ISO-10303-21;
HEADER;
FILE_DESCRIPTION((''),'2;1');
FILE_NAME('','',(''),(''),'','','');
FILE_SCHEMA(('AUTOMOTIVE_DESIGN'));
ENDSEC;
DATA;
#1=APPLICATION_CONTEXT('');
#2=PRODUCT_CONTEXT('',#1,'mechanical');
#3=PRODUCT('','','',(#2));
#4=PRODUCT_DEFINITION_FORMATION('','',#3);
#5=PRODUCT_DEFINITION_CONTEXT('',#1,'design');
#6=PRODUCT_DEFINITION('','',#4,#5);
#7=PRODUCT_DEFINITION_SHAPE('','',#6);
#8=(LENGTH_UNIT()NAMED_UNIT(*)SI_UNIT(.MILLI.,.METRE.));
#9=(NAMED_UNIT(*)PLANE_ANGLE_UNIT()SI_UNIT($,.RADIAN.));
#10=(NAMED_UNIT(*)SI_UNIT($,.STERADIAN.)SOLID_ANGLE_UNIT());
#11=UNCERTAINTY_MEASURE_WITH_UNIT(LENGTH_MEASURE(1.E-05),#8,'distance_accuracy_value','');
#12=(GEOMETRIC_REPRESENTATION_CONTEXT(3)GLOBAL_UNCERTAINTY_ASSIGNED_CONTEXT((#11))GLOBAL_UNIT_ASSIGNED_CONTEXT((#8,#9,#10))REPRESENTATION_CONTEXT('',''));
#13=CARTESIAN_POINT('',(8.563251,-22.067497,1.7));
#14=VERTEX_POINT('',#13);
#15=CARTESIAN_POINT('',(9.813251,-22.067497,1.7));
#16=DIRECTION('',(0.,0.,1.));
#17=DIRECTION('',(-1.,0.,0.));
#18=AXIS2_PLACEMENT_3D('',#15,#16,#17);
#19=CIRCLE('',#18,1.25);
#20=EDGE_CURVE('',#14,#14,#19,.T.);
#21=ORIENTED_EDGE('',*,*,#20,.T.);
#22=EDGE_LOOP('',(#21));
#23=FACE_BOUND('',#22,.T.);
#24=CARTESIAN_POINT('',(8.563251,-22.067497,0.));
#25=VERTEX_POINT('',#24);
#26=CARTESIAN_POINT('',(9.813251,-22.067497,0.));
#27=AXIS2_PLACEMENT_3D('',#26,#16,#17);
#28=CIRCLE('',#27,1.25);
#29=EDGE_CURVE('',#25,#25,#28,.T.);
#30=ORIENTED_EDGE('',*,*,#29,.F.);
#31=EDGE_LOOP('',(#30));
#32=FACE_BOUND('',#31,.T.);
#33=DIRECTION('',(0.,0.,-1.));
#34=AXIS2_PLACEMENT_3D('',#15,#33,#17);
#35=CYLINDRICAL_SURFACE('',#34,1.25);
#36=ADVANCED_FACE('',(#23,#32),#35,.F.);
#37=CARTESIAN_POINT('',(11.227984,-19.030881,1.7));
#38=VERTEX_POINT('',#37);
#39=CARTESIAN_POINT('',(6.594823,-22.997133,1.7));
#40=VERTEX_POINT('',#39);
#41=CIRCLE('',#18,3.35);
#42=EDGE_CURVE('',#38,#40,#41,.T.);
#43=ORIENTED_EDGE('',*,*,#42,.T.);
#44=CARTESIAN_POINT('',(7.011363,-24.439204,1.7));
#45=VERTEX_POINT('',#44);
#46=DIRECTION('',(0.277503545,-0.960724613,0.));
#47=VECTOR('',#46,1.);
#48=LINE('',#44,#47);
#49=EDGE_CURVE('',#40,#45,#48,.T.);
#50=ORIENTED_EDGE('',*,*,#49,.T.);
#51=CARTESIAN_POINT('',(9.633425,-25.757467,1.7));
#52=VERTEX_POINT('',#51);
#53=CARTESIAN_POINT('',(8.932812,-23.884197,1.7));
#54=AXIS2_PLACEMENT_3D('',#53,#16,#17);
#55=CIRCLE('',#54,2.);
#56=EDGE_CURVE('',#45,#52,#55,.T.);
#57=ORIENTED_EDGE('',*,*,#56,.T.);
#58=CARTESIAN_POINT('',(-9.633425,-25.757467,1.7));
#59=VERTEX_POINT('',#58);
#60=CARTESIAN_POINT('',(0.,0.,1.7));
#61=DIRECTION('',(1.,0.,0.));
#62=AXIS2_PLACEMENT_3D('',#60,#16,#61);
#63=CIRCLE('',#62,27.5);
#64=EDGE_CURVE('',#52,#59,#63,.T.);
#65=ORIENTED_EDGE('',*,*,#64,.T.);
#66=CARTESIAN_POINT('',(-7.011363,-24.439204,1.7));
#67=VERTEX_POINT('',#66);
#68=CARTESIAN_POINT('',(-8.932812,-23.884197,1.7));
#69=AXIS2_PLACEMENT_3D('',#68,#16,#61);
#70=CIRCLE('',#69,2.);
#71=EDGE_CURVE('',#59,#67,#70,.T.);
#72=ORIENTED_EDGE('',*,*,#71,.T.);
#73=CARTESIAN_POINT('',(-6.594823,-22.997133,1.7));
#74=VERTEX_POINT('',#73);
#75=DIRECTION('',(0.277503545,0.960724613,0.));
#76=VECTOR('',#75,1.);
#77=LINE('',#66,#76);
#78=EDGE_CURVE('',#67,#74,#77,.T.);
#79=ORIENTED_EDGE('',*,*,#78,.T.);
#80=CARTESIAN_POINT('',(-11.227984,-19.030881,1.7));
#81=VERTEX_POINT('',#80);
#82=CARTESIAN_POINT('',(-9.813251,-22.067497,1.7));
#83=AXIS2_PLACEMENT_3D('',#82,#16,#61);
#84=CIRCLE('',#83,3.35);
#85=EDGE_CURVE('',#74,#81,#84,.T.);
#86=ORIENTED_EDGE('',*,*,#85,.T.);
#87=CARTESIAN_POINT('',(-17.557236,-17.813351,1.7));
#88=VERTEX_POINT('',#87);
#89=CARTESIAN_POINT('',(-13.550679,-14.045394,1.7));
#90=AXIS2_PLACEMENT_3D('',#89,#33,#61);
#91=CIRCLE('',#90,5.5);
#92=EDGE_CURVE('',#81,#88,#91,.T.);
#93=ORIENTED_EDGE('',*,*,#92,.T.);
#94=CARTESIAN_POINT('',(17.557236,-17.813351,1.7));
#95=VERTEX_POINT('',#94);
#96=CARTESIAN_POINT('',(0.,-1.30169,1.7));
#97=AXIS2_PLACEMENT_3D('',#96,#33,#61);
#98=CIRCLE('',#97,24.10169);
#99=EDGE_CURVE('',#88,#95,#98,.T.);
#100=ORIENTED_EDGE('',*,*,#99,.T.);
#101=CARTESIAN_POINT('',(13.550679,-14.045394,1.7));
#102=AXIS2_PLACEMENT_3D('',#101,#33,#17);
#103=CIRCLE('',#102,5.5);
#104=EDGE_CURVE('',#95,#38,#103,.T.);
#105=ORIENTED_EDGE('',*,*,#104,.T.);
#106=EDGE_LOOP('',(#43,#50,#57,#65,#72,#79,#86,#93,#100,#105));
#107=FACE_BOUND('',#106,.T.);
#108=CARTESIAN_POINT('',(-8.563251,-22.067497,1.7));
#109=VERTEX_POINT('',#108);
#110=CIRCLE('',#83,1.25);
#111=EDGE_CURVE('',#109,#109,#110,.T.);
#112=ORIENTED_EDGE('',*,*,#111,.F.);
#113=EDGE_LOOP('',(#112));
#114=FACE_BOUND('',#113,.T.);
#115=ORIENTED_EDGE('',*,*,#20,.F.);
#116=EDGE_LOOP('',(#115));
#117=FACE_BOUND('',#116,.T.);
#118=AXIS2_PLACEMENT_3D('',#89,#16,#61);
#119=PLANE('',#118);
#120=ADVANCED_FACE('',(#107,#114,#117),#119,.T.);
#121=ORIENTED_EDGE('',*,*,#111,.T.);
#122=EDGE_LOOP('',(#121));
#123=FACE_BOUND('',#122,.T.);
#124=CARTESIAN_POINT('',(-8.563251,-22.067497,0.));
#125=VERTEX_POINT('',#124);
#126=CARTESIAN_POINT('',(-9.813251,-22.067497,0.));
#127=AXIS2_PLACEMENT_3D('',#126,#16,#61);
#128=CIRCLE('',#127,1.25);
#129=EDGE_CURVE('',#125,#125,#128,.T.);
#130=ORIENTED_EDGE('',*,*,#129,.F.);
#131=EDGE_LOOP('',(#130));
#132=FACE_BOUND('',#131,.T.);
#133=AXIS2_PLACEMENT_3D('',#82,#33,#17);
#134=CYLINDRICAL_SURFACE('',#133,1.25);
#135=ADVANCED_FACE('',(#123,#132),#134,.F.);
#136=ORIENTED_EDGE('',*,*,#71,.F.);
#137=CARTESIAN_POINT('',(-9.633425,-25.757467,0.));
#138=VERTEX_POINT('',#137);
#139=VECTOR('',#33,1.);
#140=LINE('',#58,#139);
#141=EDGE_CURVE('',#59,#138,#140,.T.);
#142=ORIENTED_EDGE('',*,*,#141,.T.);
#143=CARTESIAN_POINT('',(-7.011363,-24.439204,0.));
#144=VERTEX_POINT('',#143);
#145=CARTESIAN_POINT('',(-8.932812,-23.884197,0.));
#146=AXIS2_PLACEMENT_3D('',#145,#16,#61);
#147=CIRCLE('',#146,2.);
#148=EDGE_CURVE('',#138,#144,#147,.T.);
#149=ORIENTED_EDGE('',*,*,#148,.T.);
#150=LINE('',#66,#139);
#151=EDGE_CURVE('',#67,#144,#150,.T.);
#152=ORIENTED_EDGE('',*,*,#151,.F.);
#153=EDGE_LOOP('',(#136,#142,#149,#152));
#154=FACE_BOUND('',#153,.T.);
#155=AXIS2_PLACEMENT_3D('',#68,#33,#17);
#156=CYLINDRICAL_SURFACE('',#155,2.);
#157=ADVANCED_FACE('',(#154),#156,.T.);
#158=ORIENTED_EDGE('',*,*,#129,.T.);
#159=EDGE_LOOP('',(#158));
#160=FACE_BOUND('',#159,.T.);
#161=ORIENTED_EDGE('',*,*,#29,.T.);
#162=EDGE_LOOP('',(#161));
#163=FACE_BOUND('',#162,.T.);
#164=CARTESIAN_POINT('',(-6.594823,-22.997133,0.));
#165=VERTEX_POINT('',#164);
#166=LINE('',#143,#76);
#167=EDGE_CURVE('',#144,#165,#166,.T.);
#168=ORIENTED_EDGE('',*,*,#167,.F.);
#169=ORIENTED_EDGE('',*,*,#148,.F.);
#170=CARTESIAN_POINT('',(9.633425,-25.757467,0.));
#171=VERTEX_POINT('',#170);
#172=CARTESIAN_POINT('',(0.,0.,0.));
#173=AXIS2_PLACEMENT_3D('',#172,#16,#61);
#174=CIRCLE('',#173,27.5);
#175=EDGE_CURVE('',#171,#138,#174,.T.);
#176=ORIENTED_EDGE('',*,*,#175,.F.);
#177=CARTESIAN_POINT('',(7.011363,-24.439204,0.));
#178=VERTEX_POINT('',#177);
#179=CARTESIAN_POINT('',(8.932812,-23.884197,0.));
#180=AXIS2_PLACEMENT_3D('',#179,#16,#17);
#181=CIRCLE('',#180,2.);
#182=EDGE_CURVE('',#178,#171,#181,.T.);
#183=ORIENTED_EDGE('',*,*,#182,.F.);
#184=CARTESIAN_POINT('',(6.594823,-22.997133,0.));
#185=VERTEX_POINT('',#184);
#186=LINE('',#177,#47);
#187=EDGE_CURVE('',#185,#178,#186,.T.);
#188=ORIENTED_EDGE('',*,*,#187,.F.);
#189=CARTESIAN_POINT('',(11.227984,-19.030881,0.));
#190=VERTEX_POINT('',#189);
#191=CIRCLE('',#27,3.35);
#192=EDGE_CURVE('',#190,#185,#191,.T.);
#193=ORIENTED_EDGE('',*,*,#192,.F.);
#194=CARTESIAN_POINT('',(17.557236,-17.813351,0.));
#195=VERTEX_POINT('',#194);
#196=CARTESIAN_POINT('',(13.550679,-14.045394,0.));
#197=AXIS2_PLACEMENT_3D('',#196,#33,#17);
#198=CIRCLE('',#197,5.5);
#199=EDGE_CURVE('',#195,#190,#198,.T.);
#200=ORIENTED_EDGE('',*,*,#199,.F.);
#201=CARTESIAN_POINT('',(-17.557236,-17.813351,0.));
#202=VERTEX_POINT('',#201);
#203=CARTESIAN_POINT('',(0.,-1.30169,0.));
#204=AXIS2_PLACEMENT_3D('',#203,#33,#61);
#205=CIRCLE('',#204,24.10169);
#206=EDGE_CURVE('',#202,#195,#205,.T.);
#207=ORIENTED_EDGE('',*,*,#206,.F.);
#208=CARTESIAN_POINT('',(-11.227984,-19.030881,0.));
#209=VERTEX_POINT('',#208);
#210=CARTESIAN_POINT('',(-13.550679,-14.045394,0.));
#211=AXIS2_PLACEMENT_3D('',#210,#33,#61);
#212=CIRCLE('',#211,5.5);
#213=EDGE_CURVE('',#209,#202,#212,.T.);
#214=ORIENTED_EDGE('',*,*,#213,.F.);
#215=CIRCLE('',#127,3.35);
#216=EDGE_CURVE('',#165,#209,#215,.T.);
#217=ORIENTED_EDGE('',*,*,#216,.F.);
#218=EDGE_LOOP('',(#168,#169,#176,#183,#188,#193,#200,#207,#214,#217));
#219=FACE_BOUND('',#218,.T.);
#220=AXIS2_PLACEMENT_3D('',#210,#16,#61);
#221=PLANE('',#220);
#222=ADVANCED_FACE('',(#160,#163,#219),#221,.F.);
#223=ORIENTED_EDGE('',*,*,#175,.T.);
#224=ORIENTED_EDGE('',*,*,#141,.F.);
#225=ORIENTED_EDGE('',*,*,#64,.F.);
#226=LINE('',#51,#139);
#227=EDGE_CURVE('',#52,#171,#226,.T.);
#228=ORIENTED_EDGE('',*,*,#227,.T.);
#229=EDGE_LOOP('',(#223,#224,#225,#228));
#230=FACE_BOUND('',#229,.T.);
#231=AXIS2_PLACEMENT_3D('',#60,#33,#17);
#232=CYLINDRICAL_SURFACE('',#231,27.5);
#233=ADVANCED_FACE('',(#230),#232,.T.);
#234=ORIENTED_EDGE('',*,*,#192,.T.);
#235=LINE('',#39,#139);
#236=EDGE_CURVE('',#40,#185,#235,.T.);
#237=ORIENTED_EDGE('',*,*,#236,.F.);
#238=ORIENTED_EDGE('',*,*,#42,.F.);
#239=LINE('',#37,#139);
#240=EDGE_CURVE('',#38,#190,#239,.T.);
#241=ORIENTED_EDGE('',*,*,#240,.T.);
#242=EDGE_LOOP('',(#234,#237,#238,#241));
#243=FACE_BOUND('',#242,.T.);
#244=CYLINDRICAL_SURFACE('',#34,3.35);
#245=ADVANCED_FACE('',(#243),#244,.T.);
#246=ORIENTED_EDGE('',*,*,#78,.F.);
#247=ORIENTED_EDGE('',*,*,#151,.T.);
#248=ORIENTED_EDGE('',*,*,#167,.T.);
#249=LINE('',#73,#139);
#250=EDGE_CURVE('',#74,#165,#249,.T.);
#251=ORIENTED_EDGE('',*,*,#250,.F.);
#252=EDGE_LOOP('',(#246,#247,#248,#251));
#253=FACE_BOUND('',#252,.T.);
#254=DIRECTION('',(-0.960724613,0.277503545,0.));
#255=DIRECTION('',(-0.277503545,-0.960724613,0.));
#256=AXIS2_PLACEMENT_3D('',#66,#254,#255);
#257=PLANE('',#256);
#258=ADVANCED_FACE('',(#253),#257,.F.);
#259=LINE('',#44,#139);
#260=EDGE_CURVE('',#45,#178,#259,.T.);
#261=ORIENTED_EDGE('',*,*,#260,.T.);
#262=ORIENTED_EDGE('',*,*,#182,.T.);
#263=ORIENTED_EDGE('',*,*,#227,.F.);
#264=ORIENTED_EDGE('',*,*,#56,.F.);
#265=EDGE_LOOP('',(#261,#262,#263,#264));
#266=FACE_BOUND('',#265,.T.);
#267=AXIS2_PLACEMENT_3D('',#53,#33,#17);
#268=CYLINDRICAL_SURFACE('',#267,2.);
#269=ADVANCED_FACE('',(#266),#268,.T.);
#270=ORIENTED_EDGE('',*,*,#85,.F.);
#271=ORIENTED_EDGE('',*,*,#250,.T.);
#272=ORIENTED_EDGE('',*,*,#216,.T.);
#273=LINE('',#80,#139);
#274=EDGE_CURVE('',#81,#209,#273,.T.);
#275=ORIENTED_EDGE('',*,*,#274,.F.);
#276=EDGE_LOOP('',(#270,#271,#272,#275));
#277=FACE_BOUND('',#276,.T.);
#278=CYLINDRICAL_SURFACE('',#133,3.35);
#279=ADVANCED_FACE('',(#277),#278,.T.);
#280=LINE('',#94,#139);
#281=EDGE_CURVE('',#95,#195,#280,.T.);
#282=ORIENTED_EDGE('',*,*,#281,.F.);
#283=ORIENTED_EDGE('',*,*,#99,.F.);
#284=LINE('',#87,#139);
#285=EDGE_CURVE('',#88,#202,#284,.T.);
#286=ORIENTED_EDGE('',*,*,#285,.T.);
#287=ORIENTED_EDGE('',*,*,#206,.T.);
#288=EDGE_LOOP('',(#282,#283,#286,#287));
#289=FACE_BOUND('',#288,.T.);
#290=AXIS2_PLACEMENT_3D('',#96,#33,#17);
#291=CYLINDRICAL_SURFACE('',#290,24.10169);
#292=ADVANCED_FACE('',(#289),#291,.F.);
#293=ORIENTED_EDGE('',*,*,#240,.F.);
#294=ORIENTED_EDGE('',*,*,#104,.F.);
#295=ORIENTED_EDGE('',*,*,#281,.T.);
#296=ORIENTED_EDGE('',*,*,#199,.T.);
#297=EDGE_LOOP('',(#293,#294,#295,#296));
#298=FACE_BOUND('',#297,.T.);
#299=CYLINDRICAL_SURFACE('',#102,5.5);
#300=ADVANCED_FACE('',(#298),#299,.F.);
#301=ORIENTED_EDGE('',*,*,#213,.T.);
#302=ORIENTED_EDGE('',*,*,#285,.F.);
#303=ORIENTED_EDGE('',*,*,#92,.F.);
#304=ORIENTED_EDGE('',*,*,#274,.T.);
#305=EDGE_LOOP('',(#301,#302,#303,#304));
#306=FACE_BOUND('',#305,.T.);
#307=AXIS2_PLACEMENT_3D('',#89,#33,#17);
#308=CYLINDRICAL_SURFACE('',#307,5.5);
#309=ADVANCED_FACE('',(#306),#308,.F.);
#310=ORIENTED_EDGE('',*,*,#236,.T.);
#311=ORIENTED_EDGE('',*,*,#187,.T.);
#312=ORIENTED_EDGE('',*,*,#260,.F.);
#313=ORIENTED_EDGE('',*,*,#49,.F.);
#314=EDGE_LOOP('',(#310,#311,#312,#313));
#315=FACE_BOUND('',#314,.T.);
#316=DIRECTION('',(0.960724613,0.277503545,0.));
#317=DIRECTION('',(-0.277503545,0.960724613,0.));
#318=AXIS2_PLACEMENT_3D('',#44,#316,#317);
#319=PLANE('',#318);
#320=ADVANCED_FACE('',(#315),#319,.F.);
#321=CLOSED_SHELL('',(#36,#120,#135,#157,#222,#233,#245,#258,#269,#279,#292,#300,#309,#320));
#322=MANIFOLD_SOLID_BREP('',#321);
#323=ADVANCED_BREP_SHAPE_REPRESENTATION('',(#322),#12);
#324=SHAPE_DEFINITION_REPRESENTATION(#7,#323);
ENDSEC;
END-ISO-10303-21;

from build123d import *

# Parameters (mm, degrees)
SKETCH_3_R      = 1.25
EXTRUDE_1_DEPTH = 1.7


with BuildPart() as part:
    # Эскиз3 → Бобышка-Вытянуть1 (new body)
    with BuildSketch(Plane.XY):
        with BuildLine():
            Line((-7.01136277, -24.439204164), (-6.594823284, -22.997133444))
            ThreePointArc((-6.594823284, -22.997133444), (-7.634692218, -19.522622744), (-11.227983542, -19.030881496))
            ThreePointArc((-11.227983542, -19.030881496), (-14.589641394, -19.446371526), (-17.557236321, -17.813351066))
            ThreePointArc((-17.557236321, -17.813351066), (0, 22.8), (17.557236321, -17.813351066))
            ThreePointArc((17.557236321, -17.813351066), (14.589641394, -19.446371526), (11.227983542, -19.030881496))
            ThreePointArc((11.227983542, -19.030881496), (7.634692218, -19.522622744), (6.594823284, -22.997133444))
            Line((6.594823284, -22.997133444), (7.01136277, -24.439204164))
            ThreePointArc((7.01136277, -24.439204164), (8.034444052, -25.671075647), (9.633424702, -25.757467432))
            ThreePointArc((9.633424702, -25.757467432), (0, 27.5), (-9.633424702, -25.757467432))
            ThreePointArc((-9.633424702, -25.757467432), (-8.034444052, -25.671075647), (-7.01136277, -24.439204164))
        make_face()
        with Locations((-9.813250738, -22.067496567)):
            Circle(SKETCH_3_R, mode=Mode.SUBTRACT)
        with Locations((9.813250738, -22.067496567)):
            Circle(SKETCH_3_R, mode=Mode.SUBTRACT)
    extrude(amount=EXTRUDE_1_DEPTH)


solid = part.part
